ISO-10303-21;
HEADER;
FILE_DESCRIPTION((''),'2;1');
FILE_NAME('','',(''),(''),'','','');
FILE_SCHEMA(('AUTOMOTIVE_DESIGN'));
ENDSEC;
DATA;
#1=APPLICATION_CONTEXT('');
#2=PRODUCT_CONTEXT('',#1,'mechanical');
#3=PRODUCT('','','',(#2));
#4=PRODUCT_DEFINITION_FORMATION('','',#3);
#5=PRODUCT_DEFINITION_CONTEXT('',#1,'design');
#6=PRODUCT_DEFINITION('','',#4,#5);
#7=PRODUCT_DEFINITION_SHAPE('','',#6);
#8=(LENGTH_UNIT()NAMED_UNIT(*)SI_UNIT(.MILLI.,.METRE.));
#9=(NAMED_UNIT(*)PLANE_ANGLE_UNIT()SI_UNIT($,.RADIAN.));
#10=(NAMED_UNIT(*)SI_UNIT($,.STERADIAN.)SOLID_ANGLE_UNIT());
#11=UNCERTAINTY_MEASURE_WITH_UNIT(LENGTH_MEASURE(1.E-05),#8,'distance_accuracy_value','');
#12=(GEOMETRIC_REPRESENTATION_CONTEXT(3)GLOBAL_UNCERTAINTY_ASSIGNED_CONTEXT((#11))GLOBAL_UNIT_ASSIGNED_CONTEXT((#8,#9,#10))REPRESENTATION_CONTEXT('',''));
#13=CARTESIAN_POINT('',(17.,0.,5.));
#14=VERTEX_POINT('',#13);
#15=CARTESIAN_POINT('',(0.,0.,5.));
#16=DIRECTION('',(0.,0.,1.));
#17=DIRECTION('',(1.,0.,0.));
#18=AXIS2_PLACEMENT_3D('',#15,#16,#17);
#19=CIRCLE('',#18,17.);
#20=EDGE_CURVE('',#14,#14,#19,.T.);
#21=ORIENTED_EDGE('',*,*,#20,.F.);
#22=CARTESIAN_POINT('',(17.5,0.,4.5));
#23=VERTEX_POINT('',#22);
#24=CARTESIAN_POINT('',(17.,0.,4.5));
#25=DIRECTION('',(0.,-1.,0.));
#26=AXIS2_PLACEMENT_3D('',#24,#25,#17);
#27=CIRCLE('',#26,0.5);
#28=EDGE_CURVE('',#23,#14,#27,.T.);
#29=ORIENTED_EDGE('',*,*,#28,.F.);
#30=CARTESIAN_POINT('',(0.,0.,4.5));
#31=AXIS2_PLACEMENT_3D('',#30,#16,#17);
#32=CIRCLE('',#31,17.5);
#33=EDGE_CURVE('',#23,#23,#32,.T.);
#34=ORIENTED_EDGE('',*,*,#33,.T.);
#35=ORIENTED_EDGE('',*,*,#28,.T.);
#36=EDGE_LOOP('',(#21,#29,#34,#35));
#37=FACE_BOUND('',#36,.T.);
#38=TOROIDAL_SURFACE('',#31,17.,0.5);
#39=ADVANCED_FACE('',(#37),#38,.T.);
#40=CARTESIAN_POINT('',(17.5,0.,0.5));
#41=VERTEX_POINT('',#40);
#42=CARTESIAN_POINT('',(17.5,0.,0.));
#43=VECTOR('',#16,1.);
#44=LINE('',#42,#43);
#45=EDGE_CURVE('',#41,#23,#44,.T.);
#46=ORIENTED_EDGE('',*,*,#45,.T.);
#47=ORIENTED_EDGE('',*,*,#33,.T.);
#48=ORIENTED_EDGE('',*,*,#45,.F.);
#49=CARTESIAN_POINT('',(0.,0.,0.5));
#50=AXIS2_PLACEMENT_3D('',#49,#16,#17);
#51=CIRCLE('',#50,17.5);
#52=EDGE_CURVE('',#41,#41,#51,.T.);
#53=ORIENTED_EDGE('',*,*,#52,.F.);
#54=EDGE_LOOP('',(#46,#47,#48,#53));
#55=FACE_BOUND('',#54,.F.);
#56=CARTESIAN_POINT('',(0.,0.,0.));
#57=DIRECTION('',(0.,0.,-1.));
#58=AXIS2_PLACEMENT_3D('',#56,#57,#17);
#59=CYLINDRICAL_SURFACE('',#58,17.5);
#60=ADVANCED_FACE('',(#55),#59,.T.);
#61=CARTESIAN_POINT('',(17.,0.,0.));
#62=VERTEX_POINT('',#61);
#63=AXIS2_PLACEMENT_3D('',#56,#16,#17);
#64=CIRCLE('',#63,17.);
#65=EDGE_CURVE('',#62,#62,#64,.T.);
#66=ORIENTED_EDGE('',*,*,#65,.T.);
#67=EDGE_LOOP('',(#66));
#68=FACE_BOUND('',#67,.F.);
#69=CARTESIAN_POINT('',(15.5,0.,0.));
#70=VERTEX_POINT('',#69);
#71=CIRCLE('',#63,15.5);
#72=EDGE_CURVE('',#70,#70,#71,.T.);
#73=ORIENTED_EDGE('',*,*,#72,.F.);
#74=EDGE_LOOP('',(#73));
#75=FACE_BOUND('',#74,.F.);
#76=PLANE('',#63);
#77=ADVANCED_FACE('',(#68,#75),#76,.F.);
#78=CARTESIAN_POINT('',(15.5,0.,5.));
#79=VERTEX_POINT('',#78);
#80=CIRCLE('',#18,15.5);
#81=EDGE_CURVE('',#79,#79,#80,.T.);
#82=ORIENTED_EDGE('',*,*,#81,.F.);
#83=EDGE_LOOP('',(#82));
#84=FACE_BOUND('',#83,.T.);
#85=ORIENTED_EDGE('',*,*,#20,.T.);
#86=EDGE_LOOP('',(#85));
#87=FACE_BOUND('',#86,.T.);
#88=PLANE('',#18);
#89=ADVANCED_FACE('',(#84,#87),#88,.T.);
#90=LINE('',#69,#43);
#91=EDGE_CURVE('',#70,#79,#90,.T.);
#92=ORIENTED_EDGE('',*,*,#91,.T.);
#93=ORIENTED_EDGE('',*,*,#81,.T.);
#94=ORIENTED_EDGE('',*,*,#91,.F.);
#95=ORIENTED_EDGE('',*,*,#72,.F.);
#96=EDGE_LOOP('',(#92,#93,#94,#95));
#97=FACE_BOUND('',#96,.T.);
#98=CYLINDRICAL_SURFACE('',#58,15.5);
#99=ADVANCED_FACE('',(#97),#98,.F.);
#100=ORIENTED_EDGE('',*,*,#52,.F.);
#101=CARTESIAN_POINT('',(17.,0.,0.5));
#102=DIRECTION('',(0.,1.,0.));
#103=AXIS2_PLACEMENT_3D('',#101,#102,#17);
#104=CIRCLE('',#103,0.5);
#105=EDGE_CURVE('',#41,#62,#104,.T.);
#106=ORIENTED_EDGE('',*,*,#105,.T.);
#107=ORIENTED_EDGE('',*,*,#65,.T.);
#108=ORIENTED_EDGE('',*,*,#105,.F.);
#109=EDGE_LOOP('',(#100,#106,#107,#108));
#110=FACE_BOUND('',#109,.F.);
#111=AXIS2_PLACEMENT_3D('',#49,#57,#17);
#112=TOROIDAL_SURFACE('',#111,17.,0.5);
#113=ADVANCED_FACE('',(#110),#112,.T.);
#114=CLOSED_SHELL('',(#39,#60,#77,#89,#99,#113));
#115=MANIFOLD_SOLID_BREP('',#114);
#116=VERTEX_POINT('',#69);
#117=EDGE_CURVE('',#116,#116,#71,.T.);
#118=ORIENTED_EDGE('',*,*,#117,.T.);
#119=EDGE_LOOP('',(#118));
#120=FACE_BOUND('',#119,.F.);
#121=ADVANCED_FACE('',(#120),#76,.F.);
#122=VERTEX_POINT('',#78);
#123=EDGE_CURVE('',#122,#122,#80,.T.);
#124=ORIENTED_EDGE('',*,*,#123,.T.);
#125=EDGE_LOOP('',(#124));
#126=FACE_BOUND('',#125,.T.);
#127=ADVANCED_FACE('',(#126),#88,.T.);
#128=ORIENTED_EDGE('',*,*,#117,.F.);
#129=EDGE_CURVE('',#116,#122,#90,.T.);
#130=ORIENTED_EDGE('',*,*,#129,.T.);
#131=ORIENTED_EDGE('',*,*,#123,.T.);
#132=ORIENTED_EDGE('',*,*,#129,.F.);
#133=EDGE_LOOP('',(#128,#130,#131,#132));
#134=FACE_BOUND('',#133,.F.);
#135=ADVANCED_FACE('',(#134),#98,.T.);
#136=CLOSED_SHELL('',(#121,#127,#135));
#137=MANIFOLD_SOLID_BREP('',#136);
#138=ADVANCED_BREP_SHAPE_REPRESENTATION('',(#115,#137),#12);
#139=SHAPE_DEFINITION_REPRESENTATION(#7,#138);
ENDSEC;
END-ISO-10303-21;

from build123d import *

# Parameters (mm, degrees)
F0_R     = 17.5
F0_R_2   = 15.5
F1_DEPTH = 5
F2_DEPTH = 5
F3_R     = 0.5


with BuildPart() as f1:
    # F0 (on Top) → F1 (new body)
    with BuildSketch(Plane.XY):
        Circle(F0_R)
        Circle(F0_R_2, mode=Mode.SUBTRACT)
    extrude(amount=F1_DEPTH)

    # F3
    f3_edges = [f1.edges().sort_by_distance(p)[0] for p in [
        (-17.5, 0, 5),
        (-17.5, 0, 0),
    ]]
    fillet(f3_edges, radius=F3_R)


with BuildPart() as f2:
    # F0 (on Top) → F2 (new body)
    with BuildSketch(Plane.XY):
        Circle(F0_R_2)
    extrude(amount=F2_DEPTH)


solid = Compound([f1.part, f2.part])
